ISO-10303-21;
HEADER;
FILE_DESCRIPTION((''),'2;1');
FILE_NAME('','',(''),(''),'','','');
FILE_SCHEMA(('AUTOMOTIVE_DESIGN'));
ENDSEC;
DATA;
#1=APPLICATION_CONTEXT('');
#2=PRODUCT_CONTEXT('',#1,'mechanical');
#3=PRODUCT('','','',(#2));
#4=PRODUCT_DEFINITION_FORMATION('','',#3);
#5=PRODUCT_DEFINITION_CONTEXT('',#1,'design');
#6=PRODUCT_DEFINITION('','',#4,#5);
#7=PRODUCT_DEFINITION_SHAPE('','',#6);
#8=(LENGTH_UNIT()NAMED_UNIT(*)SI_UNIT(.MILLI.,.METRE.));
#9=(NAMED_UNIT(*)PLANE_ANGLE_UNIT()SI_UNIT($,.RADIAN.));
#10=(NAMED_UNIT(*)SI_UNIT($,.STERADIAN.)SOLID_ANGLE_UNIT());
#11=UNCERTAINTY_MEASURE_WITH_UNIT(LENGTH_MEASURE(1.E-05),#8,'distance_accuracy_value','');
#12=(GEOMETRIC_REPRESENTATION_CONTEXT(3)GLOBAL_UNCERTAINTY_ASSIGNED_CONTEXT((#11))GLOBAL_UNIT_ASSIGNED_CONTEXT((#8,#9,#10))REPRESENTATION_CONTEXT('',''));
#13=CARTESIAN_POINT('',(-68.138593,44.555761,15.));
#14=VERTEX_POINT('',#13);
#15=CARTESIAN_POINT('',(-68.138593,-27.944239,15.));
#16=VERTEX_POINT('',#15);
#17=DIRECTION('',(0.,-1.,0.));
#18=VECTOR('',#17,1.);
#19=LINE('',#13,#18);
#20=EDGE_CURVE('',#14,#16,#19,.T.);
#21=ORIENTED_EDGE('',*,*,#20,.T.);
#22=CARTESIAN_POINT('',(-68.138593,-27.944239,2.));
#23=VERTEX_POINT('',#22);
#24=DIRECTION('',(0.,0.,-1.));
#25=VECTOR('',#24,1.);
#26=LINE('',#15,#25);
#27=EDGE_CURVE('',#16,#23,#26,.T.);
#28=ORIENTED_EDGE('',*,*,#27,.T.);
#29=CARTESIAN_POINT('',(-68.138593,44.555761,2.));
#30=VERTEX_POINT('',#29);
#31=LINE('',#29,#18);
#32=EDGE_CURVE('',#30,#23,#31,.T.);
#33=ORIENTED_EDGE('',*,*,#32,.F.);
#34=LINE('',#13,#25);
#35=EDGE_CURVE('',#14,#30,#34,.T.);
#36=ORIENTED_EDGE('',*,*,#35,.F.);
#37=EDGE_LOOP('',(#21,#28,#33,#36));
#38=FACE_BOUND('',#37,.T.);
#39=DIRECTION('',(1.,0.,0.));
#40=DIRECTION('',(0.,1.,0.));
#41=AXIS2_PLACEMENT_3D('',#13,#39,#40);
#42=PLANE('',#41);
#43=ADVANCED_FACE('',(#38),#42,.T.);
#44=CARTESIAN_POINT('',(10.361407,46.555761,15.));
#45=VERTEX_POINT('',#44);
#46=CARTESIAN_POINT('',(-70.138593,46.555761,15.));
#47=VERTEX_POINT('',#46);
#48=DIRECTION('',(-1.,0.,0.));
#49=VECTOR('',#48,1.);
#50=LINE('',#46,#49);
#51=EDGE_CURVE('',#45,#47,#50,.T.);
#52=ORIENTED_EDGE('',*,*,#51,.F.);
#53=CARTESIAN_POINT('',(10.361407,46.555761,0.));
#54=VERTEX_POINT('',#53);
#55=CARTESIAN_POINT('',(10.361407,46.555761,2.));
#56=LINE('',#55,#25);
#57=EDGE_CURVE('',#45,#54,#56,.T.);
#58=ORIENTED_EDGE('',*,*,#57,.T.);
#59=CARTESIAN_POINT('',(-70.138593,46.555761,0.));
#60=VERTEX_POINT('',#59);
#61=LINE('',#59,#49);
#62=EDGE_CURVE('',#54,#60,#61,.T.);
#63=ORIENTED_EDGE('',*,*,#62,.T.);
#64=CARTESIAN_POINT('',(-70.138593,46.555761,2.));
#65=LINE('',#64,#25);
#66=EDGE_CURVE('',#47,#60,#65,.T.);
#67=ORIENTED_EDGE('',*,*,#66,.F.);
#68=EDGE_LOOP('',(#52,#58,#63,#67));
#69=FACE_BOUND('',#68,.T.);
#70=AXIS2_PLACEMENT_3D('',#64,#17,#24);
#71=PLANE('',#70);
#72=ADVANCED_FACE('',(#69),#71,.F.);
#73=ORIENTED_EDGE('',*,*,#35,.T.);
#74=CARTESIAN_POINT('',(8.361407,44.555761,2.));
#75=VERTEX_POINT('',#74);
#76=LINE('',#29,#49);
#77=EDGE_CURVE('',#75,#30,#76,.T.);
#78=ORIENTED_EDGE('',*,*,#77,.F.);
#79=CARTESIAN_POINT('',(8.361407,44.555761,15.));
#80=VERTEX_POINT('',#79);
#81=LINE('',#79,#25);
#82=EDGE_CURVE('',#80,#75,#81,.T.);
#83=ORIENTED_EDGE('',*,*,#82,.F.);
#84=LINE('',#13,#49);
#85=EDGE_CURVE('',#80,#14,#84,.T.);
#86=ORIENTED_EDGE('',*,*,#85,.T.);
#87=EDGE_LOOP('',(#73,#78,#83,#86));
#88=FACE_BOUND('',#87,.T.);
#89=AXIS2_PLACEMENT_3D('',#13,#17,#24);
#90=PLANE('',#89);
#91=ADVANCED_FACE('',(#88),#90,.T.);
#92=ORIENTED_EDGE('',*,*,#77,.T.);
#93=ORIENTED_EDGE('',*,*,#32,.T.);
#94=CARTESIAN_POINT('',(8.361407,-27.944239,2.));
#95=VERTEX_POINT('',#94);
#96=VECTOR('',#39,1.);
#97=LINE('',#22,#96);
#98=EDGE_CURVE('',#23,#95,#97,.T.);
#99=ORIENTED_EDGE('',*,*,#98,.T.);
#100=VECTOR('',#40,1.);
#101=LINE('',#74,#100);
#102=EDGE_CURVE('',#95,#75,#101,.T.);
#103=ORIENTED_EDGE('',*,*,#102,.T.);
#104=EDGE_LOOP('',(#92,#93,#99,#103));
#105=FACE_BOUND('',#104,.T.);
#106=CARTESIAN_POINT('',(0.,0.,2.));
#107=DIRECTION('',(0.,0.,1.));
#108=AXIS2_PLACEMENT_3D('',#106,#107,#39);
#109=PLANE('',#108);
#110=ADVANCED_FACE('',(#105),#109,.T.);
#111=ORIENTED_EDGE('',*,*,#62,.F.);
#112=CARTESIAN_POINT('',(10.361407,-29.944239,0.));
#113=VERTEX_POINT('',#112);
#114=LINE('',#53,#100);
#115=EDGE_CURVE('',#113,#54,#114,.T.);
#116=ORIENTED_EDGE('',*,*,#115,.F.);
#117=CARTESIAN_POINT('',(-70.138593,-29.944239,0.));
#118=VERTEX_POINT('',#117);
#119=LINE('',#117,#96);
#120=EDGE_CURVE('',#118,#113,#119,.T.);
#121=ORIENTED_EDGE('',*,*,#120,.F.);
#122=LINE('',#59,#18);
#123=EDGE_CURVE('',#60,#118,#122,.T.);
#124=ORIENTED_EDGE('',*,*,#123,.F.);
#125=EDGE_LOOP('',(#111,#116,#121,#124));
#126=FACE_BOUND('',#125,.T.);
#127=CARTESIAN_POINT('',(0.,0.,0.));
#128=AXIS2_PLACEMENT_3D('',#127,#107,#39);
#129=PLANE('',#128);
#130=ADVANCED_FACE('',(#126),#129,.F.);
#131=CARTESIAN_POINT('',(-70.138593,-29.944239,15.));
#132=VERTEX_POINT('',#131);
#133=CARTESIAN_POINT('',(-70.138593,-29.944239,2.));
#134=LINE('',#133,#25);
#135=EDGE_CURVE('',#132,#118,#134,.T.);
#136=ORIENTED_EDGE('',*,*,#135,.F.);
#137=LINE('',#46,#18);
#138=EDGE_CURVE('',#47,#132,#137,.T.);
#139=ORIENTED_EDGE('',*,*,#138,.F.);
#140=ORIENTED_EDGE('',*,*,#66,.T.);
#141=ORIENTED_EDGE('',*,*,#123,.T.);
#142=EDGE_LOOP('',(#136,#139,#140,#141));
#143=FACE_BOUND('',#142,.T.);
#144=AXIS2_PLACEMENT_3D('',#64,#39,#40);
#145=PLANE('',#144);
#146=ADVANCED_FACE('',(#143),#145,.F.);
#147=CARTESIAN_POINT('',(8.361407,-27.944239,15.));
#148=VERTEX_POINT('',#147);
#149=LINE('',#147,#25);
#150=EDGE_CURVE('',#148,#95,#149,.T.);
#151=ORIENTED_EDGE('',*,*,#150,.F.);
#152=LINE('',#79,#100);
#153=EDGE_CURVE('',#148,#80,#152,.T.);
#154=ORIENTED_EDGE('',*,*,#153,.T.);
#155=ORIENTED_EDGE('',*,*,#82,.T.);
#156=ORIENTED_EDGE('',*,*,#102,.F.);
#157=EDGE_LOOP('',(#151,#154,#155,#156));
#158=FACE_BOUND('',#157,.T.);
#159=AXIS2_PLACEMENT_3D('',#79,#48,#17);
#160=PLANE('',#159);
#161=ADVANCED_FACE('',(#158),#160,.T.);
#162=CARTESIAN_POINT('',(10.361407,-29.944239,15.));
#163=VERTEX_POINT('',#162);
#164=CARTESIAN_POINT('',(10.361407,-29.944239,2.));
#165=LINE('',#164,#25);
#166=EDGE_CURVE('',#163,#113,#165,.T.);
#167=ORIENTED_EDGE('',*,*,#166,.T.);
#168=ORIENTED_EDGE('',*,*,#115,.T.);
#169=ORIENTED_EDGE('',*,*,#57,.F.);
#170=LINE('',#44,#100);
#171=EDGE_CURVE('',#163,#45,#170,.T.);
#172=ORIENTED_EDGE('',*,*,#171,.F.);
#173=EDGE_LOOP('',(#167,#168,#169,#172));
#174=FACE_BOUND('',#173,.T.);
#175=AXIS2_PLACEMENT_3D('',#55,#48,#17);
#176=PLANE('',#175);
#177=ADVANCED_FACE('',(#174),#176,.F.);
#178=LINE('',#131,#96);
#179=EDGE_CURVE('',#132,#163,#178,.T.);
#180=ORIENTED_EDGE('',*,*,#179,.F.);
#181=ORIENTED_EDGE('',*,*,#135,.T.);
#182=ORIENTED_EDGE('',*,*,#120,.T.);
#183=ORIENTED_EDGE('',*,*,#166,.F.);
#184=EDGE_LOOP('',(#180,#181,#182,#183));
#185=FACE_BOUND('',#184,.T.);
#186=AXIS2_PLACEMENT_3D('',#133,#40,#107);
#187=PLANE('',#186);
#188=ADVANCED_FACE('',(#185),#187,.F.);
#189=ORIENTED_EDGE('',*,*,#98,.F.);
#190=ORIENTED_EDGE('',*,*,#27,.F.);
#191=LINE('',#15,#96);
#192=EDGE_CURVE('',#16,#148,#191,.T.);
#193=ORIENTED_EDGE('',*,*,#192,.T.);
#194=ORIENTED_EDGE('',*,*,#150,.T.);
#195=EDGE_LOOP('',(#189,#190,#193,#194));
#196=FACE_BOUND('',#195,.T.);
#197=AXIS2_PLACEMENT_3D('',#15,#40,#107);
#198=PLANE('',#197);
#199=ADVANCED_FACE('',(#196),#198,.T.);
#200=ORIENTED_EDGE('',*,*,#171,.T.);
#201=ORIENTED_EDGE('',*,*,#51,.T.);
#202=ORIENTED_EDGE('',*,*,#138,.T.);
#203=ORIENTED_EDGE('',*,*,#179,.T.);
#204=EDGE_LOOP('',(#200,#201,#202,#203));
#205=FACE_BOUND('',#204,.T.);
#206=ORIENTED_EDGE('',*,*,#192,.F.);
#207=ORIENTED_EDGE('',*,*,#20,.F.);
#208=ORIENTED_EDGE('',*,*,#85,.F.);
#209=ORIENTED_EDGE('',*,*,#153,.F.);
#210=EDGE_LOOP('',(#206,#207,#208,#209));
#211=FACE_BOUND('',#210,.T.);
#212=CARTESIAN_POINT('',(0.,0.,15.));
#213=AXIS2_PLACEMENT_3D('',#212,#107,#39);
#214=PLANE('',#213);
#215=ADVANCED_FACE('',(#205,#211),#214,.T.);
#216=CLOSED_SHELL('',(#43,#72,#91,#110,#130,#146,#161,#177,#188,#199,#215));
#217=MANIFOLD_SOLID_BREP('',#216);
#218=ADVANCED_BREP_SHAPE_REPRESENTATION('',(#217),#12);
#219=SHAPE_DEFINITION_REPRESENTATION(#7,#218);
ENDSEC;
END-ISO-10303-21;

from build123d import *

# Parameters (mm, degrees)
ESQUISSE1_W        = 80.5
ESQUISSE1_H        = 76.5
BOSS_EXTRU_1_DEPTH = 2
ESQUISSE2_W        = 80.5
ESQUISSE2_H        = 76.5
ESQUISSE2_W_2      = 76.5
ESQUISSE2_H_2      = 72.5
BOSS_EXTRU_2_DEPTH = 13


with BuildPart() as part:
    # Esquisse1 → Boss.-Extru.1 (new body)
    with BuildSketch(Plane.XY):
        with Locations((-29.888593491, 8.305760709)):
            Rectangle(ESQUISSE1_W, ESQUISSE1_H)
    extrude(amount=BOSS_EXTRU_1_DEPTH)

    # Esquisse2 → Boss.-Extru.2 (add)
    with BuildSketch(Plane.XY.offset(2)):
        with Locations((-29.888593491, 8.305760709)):
            Rectangle(ESQUISSE2_W, ESQUISSE2_H)
        with Locations((-29.888593491, 8.305760709)):
            Rectangle(ESQUISSE2_W_2, ESQUISSE2_H_2, mode=Mode.SUBTRACT)
    extrude(amount=BOSS_EXTRU_2_DEPTH)


solid = part.part
